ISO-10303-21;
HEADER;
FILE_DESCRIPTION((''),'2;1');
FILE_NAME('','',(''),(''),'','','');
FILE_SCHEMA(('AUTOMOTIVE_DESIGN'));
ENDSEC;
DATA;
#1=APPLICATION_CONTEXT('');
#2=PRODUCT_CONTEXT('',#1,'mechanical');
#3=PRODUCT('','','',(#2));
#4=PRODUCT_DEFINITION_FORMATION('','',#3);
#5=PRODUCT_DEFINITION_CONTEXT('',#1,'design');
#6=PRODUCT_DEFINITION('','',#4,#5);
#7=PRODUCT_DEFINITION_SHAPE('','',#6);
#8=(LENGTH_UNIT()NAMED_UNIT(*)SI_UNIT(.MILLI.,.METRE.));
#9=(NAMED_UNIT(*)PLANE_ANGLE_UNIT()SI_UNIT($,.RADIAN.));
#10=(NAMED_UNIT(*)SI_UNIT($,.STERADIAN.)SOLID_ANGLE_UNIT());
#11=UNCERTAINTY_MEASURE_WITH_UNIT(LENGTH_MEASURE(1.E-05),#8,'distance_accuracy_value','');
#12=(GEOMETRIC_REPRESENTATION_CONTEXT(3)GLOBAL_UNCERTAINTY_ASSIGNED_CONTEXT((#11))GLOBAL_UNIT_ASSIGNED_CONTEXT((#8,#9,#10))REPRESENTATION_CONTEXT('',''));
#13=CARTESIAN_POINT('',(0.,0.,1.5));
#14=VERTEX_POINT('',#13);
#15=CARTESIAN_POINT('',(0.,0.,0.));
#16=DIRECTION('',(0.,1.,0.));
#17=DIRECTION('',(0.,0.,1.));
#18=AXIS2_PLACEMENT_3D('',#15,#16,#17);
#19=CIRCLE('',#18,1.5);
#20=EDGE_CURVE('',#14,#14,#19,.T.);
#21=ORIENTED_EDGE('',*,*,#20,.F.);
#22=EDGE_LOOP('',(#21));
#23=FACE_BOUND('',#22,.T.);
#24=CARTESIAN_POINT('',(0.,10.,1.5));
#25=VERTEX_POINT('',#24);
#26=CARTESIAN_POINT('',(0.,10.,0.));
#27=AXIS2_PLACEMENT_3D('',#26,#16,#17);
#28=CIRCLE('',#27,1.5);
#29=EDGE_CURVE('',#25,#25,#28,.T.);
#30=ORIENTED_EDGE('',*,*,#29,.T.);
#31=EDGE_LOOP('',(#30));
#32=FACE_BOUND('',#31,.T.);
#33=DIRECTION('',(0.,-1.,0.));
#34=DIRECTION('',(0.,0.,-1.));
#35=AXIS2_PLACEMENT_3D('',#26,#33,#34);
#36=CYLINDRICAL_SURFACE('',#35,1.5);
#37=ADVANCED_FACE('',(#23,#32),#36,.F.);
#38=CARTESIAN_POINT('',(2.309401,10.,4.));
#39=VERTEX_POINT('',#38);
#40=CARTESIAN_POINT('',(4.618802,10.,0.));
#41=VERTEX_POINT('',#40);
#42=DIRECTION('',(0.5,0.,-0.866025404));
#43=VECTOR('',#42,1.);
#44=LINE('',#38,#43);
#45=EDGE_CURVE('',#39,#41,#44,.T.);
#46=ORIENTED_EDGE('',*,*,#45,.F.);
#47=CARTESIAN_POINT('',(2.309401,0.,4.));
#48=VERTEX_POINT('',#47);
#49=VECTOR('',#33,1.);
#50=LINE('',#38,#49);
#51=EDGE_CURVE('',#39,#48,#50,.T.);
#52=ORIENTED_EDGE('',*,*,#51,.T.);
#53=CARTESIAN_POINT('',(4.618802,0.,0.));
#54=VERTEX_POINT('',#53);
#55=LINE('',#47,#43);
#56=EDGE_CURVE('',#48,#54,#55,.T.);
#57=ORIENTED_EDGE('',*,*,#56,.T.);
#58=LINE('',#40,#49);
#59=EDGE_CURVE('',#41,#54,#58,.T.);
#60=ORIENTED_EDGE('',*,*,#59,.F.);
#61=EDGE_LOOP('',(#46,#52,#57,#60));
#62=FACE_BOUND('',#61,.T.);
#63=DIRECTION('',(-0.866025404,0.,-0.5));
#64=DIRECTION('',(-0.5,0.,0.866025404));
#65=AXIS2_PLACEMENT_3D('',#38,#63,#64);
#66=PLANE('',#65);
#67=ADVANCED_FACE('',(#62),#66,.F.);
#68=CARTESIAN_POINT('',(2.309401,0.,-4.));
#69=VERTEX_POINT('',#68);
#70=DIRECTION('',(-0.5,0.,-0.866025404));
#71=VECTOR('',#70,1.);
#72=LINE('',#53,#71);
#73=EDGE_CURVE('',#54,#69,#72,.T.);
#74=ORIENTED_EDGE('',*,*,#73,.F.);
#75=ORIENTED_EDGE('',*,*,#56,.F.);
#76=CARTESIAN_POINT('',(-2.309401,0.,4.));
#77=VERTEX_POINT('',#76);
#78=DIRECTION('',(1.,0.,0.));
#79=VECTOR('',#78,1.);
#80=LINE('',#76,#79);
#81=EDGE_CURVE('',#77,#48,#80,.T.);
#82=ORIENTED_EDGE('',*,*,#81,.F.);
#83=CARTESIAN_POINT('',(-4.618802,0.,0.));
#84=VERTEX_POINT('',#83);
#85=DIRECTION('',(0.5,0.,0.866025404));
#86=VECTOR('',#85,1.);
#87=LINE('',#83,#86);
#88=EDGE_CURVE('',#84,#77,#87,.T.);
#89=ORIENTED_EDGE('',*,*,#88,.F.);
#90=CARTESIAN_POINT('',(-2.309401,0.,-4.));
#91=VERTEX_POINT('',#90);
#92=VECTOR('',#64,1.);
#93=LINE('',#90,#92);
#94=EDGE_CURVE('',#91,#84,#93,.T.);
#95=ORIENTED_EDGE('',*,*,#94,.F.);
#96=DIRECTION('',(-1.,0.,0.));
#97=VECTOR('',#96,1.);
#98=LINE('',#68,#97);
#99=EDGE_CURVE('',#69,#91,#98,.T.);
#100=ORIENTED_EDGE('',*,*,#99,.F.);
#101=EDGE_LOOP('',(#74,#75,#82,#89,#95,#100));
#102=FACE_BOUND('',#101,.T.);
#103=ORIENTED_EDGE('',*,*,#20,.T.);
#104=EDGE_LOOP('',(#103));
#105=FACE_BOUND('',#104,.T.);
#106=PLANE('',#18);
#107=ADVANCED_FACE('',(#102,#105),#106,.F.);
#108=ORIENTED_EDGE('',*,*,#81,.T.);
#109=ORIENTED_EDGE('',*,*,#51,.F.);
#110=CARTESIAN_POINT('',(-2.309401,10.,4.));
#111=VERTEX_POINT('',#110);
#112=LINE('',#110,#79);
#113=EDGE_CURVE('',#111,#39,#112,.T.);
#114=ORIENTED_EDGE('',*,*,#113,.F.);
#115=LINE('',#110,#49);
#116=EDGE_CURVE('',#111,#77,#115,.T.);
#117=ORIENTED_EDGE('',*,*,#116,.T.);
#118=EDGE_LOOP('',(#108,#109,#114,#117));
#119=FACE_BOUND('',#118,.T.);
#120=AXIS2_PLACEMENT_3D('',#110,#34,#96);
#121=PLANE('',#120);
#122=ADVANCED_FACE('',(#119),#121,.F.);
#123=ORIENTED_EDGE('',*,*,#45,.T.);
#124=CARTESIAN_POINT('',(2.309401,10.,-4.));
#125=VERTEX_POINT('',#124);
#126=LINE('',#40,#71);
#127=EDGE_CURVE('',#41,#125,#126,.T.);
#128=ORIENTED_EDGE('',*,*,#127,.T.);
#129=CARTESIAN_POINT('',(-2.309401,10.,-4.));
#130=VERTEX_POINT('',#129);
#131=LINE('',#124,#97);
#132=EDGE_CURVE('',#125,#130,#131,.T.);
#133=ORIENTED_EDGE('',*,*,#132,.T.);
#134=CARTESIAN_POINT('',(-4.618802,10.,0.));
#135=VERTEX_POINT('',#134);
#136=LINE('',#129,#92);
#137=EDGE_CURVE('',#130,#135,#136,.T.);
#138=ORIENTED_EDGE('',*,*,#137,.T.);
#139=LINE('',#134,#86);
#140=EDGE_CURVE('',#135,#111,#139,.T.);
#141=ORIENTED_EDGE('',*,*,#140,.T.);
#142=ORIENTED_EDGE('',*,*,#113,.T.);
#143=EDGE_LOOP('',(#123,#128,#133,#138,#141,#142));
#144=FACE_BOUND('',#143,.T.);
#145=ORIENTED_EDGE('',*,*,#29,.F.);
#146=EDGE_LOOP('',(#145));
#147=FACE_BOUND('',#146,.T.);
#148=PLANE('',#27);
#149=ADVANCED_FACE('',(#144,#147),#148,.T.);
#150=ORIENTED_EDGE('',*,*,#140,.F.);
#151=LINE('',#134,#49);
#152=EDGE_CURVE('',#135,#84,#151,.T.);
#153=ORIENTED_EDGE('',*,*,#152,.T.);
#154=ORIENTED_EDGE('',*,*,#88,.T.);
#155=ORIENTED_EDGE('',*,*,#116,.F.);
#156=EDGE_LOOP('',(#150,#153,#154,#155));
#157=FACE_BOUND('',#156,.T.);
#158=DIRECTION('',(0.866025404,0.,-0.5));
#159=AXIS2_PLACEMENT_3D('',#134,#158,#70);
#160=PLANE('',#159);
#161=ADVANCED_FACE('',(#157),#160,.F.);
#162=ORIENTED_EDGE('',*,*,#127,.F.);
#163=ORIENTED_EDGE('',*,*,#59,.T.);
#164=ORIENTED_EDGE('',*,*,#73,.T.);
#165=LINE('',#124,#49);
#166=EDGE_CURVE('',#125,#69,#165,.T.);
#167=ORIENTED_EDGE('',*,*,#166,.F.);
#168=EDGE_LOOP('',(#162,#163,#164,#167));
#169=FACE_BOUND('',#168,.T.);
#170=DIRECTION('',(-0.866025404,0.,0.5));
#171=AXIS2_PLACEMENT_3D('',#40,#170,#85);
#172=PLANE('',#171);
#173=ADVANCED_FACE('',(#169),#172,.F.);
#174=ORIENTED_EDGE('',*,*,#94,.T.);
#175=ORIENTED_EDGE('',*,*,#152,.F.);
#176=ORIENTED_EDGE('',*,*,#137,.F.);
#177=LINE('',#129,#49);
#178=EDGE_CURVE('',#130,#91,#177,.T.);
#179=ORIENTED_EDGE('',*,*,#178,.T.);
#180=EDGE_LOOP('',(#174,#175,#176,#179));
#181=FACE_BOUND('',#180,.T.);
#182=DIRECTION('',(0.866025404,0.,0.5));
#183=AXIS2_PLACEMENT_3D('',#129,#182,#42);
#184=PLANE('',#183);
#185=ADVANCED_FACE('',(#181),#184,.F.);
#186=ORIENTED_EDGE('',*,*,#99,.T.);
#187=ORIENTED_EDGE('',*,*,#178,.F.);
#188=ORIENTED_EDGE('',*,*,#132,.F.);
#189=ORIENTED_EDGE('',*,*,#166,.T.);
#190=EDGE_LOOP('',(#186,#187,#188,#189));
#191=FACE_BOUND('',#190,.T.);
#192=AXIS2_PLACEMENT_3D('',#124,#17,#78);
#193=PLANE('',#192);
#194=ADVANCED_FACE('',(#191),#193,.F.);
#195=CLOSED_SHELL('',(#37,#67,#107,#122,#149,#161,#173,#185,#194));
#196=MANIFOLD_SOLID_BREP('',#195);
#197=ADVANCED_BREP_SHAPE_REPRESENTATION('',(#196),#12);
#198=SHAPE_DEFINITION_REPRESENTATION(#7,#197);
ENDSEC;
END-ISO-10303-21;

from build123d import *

# Parameters (mm, degrees)
SKETCH1_R           = 1.5
BOSS_EXTRUDE1_DEPTH = 10


with BuildPart() as part:
    # Sketch1 → Boss-Extrude1 (new body)
    with BuildSketch(Plane(origin=(0, 0, 0), x_dir=(1, 0, 0), z_dir=(0, 1, 0))):
        Polygon((4.618802154, 0), (2.309401077, 4), (-2.309401077, 4), (-4.618802154, 0), (-2.309401077, -4), (2.309401077, -4), align=None)
        Circle(SKETCH1_R, mode=Mode.SUBTRACT)
    extrude(amount=BOSS_EXTRUDE1_DEPTH)


solid = part.part
